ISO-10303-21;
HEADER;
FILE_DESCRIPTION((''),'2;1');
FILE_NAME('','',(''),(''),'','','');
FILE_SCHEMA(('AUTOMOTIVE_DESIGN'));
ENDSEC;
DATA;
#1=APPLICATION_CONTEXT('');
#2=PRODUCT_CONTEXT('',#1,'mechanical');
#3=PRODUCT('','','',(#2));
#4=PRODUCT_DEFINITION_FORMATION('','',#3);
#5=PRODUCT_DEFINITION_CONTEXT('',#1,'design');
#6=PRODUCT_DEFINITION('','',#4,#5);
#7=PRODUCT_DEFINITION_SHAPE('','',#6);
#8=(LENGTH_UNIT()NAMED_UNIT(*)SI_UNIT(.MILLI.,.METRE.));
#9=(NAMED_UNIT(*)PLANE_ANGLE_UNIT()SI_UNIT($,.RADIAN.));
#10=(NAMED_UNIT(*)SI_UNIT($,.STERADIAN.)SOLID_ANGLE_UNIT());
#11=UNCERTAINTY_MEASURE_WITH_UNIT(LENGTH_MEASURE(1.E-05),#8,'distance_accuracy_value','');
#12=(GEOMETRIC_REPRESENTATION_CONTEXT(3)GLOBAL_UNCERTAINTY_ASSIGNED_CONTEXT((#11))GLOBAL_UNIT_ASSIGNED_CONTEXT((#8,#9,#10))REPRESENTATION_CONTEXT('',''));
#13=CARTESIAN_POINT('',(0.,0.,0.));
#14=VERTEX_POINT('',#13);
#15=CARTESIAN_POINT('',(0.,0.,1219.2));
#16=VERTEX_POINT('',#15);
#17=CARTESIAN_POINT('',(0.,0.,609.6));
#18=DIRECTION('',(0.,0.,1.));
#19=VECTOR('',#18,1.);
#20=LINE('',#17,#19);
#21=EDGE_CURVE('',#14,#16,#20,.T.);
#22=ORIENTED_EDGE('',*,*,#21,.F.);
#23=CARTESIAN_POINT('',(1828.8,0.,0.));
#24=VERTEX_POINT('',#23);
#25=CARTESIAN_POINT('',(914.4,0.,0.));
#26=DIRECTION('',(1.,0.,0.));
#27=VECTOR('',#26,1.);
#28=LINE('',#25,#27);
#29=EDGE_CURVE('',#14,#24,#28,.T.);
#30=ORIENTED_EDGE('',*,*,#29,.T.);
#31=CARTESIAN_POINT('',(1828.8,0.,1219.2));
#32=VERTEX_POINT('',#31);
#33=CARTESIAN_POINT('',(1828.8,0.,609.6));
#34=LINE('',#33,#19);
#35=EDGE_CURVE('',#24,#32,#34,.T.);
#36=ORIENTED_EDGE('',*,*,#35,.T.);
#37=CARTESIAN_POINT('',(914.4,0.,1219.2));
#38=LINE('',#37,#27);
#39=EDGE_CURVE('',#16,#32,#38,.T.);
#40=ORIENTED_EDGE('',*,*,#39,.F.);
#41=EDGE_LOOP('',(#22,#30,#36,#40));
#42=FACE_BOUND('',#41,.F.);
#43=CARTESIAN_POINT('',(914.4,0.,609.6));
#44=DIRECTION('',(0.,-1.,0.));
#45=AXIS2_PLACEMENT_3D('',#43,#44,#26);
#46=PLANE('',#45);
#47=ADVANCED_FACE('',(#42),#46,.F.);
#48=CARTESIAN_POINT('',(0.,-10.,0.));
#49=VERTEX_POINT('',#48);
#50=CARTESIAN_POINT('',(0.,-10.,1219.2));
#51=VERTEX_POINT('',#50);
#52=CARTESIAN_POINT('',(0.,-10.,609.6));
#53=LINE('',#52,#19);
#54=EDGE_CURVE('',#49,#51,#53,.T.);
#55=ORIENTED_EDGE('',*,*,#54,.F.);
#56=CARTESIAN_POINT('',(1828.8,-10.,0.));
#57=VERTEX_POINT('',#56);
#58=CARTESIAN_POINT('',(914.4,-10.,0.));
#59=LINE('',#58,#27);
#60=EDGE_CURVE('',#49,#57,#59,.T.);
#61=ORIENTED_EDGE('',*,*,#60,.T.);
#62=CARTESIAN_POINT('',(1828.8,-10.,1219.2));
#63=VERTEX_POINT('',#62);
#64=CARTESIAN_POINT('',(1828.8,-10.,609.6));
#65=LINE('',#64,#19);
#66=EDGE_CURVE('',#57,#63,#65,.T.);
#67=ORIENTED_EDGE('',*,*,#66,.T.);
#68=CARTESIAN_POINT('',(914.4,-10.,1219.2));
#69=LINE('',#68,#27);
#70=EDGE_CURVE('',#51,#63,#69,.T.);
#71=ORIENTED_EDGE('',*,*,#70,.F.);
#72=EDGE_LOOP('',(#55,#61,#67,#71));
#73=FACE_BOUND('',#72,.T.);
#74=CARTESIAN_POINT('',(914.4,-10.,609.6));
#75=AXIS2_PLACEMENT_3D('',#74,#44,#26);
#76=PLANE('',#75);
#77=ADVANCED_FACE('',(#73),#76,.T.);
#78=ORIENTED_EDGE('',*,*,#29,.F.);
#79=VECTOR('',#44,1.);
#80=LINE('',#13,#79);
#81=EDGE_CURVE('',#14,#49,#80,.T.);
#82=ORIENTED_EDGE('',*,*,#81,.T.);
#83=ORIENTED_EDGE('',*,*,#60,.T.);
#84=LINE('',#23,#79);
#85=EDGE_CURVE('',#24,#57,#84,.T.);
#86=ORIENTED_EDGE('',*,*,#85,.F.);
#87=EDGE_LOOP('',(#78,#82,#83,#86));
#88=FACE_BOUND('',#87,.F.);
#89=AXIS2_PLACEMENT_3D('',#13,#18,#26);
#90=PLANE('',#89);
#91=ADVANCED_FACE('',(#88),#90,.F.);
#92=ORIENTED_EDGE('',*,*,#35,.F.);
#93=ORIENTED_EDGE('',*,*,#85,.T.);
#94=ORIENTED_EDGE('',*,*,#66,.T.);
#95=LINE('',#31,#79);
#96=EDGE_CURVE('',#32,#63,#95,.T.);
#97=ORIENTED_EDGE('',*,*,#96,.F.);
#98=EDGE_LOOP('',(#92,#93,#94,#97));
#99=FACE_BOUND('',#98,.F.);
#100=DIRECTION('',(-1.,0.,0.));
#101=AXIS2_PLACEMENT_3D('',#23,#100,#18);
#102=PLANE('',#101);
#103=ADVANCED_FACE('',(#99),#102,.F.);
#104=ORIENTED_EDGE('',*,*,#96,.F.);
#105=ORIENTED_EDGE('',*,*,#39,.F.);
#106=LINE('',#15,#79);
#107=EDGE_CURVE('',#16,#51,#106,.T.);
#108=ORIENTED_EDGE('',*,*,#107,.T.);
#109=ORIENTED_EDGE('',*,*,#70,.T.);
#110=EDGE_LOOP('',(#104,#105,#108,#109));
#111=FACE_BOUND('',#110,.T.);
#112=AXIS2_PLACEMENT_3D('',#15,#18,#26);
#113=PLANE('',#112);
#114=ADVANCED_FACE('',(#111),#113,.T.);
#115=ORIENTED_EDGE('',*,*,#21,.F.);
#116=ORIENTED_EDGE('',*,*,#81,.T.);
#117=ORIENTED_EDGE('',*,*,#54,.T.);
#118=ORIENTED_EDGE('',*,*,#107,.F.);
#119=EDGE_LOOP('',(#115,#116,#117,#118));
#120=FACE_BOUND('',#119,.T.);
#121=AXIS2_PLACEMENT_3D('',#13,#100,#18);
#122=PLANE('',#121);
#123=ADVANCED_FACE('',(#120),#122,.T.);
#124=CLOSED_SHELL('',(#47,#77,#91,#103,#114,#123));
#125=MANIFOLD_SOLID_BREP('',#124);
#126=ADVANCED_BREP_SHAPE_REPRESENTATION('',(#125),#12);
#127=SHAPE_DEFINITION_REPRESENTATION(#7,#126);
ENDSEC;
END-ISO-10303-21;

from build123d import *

# Parameters (mm, degrees)
SKETCH_W  = 1828.8
SKETCH_H  = 1219.2
PAD_DEPTH = 10


with BuildPart() as part:
    # Sketch → Pad (new body)
    with BuildSketch(Plane.XZ):
        with Locations((914.4, 609.6)):
            Rectangle(SKETCH_W, SKETCH_H)
    extrude(amount=PAD_DEPTH)


solid = part.part
